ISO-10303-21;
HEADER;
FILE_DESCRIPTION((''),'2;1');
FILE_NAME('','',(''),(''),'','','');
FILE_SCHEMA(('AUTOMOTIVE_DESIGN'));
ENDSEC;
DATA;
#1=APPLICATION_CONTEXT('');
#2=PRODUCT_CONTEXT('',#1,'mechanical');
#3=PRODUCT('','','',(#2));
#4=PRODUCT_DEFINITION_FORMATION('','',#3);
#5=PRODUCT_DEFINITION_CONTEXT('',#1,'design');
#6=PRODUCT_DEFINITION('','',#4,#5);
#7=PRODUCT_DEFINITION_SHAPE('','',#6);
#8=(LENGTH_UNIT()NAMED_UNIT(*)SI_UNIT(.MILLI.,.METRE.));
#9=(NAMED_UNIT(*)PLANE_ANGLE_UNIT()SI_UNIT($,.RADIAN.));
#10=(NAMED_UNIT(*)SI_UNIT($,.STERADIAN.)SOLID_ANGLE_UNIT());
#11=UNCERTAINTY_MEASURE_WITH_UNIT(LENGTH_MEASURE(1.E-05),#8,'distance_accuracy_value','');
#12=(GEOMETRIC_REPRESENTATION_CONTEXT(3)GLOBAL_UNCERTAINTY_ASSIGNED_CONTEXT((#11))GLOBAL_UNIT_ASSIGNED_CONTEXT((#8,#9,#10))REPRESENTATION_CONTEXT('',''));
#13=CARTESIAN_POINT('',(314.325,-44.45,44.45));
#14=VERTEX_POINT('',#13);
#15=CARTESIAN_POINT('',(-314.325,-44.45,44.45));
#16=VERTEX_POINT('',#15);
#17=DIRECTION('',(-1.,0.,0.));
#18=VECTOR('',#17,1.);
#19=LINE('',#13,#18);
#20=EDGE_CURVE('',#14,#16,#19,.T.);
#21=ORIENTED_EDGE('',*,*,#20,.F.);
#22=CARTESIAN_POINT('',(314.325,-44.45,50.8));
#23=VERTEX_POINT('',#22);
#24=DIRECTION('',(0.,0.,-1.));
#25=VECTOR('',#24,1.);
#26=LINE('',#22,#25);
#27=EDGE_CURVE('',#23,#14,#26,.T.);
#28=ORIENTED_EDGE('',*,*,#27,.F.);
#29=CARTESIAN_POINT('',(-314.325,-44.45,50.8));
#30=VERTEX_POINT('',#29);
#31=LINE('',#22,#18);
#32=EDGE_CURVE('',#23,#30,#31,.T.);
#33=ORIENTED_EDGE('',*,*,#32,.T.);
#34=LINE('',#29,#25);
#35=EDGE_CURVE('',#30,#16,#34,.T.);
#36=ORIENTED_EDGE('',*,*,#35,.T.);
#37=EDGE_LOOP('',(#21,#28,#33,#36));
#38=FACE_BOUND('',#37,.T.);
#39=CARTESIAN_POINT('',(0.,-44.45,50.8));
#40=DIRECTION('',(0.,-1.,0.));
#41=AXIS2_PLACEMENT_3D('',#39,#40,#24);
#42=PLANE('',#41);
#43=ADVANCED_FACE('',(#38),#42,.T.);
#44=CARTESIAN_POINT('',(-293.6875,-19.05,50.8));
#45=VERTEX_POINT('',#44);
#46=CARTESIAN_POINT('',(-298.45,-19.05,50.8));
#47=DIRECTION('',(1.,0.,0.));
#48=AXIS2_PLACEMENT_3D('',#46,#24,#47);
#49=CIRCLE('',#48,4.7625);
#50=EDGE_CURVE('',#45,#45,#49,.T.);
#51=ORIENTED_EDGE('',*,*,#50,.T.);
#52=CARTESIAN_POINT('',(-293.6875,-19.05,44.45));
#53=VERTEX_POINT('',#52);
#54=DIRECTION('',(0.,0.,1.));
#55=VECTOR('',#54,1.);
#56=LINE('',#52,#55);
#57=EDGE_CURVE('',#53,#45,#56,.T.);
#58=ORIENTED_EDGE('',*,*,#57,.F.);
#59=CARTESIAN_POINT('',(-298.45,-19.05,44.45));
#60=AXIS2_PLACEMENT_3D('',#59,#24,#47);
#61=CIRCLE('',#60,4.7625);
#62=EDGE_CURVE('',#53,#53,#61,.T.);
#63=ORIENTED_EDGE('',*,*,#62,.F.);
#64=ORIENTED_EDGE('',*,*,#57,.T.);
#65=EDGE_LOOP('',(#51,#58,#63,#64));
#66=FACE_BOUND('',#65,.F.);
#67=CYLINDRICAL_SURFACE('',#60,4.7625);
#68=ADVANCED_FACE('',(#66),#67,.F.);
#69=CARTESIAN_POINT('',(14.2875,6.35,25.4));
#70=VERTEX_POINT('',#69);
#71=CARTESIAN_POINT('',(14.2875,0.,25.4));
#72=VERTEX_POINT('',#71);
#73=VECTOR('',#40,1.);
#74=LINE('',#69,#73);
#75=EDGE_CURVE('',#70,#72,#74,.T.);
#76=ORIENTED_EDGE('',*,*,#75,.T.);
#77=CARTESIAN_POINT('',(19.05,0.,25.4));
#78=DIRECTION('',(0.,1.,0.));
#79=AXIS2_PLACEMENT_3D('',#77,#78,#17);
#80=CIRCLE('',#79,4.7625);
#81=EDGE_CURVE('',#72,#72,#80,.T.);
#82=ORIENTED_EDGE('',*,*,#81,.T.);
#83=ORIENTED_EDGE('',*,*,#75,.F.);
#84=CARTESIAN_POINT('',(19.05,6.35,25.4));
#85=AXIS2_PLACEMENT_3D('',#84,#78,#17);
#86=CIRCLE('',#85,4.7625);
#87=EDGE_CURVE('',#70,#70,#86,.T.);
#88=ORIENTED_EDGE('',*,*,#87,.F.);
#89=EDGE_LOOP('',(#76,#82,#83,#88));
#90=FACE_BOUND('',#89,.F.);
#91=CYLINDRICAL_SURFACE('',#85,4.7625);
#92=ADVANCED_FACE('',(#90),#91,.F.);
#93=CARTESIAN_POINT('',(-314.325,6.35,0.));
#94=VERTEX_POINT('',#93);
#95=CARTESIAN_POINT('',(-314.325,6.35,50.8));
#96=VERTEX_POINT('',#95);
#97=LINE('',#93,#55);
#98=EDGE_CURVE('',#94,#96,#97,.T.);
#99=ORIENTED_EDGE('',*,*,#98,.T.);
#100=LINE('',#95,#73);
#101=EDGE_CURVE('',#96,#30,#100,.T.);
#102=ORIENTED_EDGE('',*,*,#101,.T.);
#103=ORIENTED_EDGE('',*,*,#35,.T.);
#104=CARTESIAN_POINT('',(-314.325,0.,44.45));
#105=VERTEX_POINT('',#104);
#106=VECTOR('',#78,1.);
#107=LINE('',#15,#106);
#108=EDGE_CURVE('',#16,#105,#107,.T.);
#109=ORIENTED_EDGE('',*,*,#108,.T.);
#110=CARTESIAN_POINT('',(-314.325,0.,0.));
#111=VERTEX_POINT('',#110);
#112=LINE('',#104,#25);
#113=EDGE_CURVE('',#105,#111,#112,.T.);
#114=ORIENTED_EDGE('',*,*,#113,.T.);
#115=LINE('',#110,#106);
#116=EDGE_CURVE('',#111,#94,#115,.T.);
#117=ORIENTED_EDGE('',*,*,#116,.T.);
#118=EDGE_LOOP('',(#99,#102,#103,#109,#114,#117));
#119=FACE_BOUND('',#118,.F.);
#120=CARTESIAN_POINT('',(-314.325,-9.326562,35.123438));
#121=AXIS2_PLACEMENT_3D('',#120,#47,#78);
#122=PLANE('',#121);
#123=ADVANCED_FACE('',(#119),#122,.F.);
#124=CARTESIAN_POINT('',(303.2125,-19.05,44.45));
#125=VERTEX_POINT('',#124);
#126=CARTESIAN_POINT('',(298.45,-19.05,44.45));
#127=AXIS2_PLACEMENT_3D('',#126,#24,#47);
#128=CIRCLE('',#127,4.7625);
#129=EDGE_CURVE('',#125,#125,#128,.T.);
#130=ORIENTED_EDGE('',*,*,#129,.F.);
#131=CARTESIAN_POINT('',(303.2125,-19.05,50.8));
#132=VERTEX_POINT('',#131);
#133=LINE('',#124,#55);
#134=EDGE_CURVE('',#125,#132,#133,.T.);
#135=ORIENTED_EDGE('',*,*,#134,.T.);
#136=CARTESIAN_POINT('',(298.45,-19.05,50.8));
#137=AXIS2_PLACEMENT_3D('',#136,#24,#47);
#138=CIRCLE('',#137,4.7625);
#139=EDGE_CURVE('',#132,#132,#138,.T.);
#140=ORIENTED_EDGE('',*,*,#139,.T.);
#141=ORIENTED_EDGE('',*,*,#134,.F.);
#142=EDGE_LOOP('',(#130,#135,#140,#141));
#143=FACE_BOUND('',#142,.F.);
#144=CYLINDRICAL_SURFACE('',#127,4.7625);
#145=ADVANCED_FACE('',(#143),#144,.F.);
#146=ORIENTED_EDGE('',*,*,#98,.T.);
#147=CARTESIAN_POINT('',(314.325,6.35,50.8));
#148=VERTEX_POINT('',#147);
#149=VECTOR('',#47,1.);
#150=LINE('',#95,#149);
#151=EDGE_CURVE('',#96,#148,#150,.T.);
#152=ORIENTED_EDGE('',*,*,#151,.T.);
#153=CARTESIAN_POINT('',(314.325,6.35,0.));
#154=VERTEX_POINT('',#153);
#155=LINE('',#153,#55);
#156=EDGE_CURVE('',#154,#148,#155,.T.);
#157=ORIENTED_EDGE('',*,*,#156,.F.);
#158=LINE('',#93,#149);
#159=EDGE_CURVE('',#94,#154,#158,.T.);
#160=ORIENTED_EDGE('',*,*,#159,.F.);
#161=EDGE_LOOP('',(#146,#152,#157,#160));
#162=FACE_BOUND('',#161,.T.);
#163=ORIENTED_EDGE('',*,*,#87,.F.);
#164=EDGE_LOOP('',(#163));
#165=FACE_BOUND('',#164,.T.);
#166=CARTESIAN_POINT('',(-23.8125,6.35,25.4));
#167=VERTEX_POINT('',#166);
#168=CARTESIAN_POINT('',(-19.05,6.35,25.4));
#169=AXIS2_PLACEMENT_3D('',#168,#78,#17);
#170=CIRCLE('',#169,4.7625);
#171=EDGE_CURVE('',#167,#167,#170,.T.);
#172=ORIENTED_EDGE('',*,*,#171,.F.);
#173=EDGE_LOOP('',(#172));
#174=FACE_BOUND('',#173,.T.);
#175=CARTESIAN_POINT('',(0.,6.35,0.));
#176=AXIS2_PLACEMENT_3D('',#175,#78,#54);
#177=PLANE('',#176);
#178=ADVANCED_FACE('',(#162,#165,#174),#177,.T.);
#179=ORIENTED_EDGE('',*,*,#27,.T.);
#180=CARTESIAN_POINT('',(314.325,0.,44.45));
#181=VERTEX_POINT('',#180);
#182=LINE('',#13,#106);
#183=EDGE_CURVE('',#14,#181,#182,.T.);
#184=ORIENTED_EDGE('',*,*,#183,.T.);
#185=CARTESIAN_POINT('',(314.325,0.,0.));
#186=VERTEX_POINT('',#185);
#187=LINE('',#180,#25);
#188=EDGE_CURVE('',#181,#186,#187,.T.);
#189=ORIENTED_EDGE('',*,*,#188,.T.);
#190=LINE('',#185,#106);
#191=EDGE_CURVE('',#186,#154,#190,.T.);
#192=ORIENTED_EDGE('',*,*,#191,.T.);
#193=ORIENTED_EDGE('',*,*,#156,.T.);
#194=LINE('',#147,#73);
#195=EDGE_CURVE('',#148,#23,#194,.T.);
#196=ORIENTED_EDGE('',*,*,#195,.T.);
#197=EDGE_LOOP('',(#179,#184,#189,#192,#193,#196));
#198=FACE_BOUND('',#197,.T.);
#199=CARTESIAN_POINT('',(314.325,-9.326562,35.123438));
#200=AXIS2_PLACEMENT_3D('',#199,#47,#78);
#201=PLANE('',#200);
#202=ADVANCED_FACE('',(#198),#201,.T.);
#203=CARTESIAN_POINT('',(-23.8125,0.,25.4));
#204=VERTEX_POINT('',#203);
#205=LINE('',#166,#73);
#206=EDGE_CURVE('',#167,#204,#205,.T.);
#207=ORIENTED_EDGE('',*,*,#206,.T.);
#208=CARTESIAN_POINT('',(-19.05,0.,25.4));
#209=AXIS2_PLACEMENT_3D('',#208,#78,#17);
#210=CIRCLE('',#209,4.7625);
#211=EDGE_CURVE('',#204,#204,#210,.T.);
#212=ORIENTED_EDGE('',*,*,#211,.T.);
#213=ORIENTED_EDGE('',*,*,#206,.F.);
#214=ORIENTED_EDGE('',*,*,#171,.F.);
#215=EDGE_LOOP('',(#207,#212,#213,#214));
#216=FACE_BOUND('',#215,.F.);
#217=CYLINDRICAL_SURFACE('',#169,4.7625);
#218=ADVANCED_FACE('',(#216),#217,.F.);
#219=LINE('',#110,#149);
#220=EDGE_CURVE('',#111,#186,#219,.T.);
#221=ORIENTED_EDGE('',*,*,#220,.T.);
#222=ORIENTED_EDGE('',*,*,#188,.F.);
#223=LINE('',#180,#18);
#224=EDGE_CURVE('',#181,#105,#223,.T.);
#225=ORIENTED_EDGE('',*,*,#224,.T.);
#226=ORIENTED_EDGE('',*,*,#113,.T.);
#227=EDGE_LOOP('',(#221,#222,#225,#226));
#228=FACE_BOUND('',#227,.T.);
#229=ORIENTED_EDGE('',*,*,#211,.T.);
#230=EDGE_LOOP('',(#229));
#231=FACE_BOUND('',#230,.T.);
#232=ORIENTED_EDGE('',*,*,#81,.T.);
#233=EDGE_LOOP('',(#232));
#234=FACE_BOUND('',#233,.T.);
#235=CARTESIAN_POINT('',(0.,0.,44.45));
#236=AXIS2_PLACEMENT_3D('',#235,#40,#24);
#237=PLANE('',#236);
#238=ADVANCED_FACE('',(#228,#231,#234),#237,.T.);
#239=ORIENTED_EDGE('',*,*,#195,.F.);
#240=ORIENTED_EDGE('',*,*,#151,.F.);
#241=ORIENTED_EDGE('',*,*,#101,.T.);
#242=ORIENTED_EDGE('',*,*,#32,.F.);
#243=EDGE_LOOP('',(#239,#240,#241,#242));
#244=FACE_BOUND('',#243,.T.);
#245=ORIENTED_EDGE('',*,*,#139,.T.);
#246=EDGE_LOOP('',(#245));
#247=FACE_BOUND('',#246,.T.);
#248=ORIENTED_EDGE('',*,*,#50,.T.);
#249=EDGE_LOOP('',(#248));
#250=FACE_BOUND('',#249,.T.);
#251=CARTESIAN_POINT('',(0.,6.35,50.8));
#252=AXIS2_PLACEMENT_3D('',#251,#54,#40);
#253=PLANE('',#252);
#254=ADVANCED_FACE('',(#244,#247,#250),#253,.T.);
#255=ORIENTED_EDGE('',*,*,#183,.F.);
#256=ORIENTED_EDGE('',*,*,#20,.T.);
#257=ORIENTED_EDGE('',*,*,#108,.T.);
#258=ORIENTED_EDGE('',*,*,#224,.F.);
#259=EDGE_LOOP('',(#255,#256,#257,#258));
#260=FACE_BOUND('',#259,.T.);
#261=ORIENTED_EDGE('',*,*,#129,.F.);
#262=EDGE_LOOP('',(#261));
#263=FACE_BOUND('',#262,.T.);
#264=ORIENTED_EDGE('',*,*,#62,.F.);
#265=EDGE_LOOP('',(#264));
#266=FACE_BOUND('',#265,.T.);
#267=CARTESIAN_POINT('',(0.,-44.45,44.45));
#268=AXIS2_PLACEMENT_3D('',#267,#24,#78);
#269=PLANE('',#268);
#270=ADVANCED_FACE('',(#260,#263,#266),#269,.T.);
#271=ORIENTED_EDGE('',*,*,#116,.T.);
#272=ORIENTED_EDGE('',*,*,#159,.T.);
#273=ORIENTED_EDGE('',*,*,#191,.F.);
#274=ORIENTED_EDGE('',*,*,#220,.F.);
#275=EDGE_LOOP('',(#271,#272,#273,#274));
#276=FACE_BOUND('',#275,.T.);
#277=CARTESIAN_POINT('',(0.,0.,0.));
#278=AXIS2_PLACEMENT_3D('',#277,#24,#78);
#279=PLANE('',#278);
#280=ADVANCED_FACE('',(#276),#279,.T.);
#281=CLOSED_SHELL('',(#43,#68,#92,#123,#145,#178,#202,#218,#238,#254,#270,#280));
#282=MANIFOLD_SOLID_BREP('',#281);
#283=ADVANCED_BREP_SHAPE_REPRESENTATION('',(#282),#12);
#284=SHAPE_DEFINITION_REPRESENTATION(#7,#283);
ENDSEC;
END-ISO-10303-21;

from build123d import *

# Parameters (mm, degrees)
F1_DEPTH = 314.325
F2_R     = 4.7625
F3_DEPTH = 50.801
F4_R     = 4.7625
F5_DEPTH = 6.351


with BuildPart() as f1:
    # F0 (on Right) → F1 (new body, symmetric)
    with BuildSketch(Plane.YZ):
        Polygon((0, 44.45), (0, 0), (6.35, 0), (6.35, 50.8), (-44.45, 50.8), (-44.45, 44.45), align=None)
    extrude(amount=F1_DEPTH, both=True)

    # F2 (on face) → F3 (cut, through all)
    with BuildSketch(Plane(origin=(0, 6.35, 0), x_dir=(-1, 0, 0), z_dir=(0, 1, 0))):
        with Locations((-19.05, 25.4)):
            Circle(F2_R)
        with Locations((19.05, 25.4)):
            Circle(F2_R)
    extrude(amount=-F3_DEPTH, mode=Mode.SUBTRACT)

    # F4 (on face) → F5 (cut, through all)
    with BuildSketch(Plane(origin=(0, 0, 44.45), x_dir=(1, 0, 0), z_dir=(0, 0, -1))):
        with Locations((-298.45, 19.05)):
            Circle(F4_R)
        with Locations((298.45, 19.05)):
            Circle(F4_R)
    extrude(amount=-F5_DEPTH, mode=Mode.SUBTRACT)


solid = f1.part
